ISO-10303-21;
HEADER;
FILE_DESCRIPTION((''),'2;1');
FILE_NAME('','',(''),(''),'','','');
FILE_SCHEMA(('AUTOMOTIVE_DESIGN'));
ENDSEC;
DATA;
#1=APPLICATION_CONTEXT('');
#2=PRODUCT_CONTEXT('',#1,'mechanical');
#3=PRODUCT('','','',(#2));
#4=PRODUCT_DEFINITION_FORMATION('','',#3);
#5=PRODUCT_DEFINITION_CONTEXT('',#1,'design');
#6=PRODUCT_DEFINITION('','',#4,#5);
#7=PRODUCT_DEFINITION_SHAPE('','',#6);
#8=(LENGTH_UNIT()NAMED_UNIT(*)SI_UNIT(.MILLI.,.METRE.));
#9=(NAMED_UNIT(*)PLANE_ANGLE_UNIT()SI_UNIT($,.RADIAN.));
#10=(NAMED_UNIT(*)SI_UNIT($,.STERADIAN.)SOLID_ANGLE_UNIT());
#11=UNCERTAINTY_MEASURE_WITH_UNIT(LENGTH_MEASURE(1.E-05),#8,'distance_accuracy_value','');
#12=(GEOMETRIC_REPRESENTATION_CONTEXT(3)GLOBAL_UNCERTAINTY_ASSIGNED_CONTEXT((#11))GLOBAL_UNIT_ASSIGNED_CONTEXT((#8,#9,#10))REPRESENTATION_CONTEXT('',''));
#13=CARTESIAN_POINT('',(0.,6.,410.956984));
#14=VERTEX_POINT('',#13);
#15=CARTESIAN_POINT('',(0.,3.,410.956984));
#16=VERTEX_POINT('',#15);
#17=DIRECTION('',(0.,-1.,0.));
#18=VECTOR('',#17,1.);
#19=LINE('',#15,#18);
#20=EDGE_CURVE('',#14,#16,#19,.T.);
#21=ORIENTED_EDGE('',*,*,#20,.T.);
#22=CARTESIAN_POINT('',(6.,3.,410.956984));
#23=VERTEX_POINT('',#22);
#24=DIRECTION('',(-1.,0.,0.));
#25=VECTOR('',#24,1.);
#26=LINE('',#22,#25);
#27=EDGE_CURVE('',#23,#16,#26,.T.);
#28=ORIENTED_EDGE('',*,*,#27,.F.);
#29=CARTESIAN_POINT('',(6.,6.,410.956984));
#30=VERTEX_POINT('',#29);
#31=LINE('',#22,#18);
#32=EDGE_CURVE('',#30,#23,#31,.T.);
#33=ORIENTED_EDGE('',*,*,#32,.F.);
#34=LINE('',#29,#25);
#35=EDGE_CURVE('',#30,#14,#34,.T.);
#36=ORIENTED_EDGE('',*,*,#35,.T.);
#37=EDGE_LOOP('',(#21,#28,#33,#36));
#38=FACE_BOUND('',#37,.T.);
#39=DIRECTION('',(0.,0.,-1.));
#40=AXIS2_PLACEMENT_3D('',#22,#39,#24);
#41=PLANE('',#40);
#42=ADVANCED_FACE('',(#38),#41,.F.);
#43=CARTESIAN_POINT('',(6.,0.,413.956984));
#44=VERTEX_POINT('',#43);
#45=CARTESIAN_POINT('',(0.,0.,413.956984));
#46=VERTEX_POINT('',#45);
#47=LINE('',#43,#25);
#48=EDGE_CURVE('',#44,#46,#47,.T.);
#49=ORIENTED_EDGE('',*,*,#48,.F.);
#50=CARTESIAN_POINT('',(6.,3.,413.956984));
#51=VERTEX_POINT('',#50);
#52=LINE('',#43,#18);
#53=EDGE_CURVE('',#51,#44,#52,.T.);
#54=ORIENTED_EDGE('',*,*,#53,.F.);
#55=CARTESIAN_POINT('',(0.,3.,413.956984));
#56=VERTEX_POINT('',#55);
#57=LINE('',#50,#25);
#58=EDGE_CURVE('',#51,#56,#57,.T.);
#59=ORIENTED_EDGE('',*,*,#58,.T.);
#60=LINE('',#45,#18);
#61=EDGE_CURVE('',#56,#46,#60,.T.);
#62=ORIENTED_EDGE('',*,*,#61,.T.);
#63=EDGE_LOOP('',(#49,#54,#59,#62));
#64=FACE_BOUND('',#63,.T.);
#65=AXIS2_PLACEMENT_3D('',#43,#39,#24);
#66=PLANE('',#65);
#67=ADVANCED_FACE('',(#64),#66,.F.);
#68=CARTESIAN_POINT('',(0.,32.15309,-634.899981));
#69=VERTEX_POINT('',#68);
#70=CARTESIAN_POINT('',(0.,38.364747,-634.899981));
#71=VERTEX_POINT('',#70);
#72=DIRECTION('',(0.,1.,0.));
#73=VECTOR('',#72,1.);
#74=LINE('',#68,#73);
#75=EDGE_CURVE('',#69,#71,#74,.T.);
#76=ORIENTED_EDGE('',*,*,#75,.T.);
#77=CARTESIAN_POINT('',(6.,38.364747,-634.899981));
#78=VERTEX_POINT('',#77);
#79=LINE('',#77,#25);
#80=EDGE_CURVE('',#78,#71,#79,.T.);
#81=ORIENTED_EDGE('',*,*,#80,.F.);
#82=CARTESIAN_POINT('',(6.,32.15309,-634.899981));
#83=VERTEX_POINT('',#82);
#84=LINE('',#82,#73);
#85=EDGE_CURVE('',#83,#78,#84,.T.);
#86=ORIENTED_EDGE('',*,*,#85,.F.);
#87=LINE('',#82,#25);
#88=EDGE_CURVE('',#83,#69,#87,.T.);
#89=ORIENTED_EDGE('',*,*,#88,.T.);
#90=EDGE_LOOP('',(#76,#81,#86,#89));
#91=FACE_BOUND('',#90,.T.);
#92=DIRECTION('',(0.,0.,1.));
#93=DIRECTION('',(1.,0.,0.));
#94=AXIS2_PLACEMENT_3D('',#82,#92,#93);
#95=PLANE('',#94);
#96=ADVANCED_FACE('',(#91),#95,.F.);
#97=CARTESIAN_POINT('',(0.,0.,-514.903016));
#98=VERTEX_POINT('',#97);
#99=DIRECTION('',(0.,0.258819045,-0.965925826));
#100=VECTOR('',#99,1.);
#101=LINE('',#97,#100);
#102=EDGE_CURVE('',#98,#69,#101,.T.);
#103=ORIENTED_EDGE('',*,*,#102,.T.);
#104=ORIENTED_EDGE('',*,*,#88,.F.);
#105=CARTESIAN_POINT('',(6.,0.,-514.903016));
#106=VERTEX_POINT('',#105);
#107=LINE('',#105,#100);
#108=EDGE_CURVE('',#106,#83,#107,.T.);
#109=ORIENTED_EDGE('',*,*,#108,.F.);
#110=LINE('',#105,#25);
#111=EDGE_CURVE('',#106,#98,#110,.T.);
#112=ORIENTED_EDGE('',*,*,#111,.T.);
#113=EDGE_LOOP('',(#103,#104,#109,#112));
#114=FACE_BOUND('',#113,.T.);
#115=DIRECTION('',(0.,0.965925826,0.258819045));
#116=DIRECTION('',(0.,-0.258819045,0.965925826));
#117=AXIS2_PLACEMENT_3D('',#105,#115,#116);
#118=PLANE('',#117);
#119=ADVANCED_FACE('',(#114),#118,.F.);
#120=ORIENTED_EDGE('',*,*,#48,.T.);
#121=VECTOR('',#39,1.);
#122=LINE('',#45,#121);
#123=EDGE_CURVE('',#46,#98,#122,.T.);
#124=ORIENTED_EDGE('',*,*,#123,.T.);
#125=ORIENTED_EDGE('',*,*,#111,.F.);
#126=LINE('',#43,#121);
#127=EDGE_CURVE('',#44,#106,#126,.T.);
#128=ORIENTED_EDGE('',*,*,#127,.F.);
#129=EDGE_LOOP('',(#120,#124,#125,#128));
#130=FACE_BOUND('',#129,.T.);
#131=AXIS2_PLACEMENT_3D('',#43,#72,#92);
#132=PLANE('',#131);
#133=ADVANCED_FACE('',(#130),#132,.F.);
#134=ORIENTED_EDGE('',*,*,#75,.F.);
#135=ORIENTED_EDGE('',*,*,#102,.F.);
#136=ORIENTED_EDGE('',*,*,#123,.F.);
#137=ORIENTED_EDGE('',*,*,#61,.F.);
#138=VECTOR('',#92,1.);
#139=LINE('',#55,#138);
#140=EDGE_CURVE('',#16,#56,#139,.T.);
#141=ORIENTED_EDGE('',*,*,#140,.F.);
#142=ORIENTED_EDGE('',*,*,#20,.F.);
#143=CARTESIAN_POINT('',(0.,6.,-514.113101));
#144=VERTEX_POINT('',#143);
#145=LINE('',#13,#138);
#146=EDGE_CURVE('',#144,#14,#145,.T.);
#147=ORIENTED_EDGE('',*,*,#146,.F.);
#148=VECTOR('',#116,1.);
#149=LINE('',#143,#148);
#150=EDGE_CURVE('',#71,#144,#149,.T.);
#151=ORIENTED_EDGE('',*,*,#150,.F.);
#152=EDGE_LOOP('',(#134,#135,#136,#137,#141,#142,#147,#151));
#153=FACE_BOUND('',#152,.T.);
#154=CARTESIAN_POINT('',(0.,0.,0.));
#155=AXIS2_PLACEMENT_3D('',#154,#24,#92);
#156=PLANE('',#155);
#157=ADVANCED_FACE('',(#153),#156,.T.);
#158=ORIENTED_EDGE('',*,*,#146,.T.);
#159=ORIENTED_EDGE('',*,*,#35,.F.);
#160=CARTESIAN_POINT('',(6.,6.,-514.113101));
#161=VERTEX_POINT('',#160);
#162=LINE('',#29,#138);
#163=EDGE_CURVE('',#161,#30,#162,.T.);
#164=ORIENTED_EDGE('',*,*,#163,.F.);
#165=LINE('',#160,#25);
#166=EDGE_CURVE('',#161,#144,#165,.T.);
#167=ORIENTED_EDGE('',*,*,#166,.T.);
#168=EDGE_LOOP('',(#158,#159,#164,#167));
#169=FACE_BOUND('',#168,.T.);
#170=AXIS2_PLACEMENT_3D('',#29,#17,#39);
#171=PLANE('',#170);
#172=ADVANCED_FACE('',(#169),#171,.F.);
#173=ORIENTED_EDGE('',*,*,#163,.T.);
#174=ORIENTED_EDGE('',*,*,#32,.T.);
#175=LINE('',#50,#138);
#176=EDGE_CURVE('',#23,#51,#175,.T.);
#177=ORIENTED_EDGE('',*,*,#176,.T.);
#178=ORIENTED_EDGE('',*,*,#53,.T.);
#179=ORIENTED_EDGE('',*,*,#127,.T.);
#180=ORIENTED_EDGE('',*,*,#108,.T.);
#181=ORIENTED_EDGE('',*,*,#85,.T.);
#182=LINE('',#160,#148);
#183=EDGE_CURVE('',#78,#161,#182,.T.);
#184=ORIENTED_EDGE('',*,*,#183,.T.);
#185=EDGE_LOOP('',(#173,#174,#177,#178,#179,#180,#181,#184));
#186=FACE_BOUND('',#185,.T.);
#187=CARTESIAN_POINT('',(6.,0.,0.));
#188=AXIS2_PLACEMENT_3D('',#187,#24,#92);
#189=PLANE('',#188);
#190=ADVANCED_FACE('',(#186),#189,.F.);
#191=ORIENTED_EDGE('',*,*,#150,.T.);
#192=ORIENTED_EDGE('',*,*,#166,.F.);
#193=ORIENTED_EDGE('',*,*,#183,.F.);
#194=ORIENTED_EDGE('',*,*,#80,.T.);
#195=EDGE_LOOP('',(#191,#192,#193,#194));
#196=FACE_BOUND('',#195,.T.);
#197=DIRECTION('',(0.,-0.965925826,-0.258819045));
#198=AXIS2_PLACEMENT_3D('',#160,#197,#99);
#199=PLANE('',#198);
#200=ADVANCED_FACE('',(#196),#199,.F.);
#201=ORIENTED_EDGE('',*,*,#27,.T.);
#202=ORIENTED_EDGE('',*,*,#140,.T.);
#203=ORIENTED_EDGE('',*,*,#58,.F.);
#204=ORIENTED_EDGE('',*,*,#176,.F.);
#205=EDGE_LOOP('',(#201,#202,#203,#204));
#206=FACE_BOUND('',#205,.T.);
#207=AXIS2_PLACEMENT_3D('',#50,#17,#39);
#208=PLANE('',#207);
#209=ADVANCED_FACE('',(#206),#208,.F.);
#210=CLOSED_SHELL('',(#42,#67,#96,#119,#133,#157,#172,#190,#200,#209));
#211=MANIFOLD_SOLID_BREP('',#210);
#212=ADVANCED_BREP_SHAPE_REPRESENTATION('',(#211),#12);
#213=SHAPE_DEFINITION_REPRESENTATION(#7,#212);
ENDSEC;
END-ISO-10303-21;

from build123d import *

# Parameters (mm, degrees)
EXTRUDE_1_DEPTH = 6


with BuildPart() as part:
    # Эскиз1 → Бобышка-Вытянуть1 (new body)
    with BuildSketch(Plane(origin=(0, 0, 0), x_dir=(0, 0, -1), z_dir=(1, 0, 0))):
        Polygon((-413.956983993, 0), (514.903016007, 0), (634.899981407, 32.153089973), (634.899981407, 38.364747056), (514.113101021, 6), (-410.956983993, 6), (-410.956983993, 3), (-413.956983993, 3), align=None)
    extrude(amount=EXTRUDE_1_DEPTH)


solid = part.part
